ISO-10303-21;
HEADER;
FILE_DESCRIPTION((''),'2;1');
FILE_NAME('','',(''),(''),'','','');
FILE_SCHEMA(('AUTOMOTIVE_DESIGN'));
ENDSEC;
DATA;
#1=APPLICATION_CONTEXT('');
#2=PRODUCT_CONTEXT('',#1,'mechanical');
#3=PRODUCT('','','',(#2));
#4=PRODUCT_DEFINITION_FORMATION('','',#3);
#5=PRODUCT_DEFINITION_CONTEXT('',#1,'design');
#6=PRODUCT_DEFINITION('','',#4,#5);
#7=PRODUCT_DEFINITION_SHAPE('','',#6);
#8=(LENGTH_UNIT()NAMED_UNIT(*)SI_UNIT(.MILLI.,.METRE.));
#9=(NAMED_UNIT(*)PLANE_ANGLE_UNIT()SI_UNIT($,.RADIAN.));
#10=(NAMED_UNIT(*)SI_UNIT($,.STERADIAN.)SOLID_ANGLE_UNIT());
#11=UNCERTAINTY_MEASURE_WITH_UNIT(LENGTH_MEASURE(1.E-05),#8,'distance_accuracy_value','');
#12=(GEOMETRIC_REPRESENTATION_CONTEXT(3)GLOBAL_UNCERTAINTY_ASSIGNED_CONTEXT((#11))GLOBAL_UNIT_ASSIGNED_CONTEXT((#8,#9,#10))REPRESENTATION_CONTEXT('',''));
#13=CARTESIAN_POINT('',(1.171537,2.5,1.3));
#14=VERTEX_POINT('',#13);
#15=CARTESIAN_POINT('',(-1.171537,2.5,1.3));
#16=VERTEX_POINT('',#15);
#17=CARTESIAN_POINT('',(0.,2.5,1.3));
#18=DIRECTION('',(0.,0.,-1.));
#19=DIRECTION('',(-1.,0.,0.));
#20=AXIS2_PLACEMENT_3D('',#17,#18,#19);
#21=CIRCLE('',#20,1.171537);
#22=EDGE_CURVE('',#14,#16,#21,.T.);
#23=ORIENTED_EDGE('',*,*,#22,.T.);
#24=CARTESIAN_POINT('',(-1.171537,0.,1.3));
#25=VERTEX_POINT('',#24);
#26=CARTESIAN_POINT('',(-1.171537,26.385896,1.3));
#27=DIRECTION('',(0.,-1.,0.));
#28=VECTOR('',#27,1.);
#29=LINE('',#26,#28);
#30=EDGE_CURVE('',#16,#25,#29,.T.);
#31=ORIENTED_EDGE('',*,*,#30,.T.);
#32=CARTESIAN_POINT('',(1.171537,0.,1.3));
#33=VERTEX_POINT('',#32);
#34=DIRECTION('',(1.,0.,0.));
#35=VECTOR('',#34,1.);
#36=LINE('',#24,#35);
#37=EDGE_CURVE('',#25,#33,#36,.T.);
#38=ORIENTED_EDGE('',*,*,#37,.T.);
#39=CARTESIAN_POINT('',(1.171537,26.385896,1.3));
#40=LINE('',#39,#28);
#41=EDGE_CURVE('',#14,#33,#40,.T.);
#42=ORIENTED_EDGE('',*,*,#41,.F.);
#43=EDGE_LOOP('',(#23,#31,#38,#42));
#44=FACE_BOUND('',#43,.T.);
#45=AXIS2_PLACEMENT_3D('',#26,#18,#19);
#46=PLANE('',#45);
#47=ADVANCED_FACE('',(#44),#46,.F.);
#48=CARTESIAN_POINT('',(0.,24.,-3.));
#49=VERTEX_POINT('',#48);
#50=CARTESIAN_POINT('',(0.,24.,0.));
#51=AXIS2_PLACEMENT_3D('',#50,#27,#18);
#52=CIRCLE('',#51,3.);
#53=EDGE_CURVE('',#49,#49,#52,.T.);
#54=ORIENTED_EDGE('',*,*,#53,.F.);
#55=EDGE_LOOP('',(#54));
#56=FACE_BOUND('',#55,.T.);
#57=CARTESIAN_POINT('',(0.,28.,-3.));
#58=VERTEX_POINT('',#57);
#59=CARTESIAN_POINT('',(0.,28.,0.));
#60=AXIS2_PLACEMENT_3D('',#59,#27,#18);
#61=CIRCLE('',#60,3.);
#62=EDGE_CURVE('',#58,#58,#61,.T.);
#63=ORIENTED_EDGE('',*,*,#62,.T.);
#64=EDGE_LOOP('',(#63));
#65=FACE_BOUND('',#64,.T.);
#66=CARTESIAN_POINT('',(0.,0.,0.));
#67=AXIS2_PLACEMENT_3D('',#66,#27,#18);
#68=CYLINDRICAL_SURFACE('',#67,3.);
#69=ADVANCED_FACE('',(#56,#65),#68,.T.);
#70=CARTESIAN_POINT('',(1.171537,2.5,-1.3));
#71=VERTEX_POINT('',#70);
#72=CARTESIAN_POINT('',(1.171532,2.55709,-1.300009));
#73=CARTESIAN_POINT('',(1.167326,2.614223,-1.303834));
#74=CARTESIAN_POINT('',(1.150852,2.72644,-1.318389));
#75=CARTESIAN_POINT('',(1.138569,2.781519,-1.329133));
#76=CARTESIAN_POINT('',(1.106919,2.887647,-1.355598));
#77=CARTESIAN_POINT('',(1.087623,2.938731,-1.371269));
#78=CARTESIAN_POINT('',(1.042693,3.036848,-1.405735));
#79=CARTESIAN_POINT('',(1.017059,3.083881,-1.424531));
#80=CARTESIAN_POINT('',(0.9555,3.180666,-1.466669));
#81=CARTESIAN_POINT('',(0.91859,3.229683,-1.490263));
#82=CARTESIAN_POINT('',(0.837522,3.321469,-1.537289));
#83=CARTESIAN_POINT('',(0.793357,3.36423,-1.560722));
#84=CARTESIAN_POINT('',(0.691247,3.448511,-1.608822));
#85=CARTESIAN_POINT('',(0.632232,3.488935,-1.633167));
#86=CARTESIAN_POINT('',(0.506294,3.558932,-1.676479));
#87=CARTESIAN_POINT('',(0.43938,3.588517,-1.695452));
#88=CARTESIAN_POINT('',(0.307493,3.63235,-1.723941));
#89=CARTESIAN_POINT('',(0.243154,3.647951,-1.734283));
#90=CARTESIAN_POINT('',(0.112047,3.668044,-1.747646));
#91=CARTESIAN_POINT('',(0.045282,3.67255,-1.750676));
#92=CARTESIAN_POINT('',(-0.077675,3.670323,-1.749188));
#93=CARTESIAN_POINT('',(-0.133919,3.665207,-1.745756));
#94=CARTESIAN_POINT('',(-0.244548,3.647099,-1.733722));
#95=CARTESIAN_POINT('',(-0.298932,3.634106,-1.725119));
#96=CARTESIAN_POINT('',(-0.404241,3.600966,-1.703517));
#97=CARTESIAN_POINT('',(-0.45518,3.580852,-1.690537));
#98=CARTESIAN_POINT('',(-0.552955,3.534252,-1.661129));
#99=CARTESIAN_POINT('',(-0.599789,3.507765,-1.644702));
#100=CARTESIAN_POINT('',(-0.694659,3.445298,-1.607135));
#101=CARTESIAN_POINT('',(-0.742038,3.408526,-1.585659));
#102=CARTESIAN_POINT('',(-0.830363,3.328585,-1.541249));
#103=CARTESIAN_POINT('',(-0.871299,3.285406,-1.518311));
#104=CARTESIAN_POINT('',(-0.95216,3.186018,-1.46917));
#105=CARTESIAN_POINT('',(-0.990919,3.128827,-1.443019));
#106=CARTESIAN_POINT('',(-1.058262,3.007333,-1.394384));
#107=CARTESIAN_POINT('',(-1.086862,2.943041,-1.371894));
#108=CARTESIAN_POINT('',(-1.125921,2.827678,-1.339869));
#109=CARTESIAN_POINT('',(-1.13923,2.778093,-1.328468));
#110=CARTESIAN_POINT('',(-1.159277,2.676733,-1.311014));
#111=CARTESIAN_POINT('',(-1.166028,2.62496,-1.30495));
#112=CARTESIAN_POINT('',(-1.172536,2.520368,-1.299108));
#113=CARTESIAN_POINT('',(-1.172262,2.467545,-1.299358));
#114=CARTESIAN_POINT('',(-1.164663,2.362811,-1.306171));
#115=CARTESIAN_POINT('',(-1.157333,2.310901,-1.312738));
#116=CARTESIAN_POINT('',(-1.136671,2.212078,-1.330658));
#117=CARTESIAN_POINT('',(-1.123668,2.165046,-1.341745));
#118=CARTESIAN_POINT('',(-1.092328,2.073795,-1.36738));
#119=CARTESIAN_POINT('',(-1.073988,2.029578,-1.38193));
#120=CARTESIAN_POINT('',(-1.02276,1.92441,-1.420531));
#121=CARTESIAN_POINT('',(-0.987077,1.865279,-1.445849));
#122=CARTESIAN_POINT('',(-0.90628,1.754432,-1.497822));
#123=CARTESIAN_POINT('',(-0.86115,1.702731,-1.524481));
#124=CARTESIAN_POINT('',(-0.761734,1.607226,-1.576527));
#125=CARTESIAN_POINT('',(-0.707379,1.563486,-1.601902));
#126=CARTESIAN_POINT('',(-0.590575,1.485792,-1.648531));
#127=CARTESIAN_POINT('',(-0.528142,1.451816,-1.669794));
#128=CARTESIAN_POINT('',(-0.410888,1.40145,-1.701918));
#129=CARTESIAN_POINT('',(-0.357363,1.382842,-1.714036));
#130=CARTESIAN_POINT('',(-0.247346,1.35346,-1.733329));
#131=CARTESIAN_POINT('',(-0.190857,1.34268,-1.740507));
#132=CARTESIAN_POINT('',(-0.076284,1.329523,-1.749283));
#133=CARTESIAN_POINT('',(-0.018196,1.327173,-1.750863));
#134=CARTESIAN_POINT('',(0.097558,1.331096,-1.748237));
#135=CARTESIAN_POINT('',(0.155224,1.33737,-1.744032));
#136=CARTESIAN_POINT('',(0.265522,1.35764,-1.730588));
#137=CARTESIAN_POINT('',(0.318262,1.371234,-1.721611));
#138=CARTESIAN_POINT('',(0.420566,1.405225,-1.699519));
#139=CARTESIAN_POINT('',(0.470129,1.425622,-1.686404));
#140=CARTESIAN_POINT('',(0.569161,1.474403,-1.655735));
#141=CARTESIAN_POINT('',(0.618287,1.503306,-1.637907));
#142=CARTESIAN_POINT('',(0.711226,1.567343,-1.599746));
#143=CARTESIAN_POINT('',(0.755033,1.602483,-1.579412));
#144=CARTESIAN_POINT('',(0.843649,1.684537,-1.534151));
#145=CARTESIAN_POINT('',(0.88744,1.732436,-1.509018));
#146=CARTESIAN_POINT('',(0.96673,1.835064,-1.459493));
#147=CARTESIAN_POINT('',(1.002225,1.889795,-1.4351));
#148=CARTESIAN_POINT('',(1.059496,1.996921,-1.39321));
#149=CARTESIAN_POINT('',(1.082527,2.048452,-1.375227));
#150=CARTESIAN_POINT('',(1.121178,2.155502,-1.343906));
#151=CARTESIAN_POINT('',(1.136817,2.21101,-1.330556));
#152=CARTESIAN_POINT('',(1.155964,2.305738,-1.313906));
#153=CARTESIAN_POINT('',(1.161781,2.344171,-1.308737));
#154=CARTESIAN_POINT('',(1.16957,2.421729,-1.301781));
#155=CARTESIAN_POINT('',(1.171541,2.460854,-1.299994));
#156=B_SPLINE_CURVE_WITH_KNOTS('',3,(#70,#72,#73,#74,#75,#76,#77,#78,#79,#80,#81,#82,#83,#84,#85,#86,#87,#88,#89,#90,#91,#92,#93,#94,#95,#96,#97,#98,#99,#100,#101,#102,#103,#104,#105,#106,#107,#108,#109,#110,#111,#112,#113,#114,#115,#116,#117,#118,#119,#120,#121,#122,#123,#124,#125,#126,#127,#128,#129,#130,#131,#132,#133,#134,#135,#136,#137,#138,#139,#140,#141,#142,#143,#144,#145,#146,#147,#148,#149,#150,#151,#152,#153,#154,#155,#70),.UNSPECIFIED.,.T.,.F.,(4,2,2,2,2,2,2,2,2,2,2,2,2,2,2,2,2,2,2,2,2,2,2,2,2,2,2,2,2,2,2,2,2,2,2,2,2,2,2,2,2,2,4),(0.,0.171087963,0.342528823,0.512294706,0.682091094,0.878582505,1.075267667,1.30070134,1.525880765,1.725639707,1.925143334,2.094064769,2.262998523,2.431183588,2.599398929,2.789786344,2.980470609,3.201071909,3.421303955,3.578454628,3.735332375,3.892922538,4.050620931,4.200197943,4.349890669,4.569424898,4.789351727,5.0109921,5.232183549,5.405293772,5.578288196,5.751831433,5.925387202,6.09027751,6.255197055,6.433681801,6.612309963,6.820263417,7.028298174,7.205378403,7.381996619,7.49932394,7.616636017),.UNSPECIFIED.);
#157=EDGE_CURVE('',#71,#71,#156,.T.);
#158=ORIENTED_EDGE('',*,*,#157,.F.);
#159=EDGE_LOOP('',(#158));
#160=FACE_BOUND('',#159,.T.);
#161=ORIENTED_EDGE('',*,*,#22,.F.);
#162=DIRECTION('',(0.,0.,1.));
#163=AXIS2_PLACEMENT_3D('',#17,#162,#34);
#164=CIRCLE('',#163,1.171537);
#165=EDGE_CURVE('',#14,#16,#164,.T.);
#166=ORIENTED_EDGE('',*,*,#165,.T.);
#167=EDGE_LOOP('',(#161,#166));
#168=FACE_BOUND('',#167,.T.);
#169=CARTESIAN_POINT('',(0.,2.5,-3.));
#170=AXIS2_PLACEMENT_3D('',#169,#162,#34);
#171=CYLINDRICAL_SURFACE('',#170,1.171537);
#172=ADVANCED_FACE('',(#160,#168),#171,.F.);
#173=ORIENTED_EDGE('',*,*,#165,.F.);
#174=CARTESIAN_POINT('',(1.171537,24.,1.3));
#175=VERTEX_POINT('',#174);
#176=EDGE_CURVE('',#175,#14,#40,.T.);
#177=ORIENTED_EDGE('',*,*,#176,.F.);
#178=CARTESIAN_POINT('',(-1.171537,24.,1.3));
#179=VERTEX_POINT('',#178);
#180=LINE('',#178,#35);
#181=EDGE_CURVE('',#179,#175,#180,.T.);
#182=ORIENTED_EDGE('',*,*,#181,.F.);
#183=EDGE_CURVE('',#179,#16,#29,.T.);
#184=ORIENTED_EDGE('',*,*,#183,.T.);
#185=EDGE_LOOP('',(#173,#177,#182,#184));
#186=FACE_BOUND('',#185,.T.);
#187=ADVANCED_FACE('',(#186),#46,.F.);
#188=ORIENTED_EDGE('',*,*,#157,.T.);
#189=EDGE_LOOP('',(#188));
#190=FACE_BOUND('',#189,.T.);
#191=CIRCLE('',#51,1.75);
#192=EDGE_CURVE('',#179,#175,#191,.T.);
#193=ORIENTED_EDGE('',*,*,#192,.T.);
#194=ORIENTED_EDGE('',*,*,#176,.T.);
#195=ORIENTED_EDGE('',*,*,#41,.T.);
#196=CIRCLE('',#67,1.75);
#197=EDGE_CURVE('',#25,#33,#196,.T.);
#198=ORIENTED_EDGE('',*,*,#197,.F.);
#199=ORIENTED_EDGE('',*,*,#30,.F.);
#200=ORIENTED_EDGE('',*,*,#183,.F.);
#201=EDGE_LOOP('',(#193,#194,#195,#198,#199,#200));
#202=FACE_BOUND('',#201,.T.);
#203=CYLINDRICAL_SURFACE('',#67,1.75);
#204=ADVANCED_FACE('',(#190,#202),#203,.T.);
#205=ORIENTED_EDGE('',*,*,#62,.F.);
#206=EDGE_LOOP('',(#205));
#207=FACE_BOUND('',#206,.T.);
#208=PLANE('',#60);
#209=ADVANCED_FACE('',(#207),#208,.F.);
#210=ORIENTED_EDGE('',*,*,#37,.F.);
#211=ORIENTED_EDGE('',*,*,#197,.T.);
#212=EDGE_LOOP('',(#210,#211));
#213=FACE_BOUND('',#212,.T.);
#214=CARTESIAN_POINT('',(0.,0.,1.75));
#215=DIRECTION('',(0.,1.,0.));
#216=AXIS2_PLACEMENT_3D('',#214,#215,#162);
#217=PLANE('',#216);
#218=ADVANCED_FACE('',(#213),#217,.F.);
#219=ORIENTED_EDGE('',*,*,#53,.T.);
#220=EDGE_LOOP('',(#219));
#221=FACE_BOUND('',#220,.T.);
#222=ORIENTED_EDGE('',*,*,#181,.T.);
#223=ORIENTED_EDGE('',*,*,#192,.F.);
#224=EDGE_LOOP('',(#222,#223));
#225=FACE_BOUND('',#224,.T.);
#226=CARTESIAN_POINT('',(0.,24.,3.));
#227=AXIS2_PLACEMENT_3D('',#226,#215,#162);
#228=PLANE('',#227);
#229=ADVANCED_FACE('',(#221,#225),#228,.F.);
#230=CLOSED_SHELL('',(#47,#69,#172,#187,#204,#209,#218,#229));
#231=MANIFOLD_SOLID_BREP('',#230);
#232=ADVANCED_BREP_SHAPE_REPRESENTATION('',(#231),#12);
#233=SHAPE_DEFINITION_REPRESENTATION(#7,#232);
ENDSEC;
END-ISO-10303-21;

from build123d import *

# Parameters (mm, degrees)
CUT_EXTRUDE1_DEPTH = 24
SKETCH4_R          = 1.171537451
CUT_EXTRUDE2_DEPTH = 5.3


with BuildPart() as part:
    # Sketch2 → Revolve1 (revolve)
    with BuildSketch(Plane(origin=(0, 0, 0), x_dir=(0, 0, -1), z_dir=(1, 0, 0))):
        Polygon((0, 0), (0, 28), (-3, 28), (-3, 24), (-1.75, 24), (-1.75, 0), align=None)
    revolve(axis=Axis((0, 0, 0), (0, 1, 0)))

    # Sketch3 → Cut-Extrude1 (cut)
    with BuildSketch(Plane.XZ):
        with BuildLine():
            Line((-1.171537451, 1.3), (1.171537451, 1.3))
            ThreePointArc((1.171537451, 1.3), (0, 1.75), (-1.171537451, 1.3))
        make_face()
    extrude(amount=-CUT_EXTRUDE1_DEPTH, mode=Mode.SUBTRACT)

    # Sketch4 → Cut-Extrude2 (cut, through all)
    with BuildSketch(Plane.XY.offset(1.3)):
        with Locations((0, 2.5)):
            Circle(SKETCH4_R)
    extrude(amount=-CUT_EXTRUDE2_DEPTH, mode=Mode.SUBTRACT)


solid = part.part
